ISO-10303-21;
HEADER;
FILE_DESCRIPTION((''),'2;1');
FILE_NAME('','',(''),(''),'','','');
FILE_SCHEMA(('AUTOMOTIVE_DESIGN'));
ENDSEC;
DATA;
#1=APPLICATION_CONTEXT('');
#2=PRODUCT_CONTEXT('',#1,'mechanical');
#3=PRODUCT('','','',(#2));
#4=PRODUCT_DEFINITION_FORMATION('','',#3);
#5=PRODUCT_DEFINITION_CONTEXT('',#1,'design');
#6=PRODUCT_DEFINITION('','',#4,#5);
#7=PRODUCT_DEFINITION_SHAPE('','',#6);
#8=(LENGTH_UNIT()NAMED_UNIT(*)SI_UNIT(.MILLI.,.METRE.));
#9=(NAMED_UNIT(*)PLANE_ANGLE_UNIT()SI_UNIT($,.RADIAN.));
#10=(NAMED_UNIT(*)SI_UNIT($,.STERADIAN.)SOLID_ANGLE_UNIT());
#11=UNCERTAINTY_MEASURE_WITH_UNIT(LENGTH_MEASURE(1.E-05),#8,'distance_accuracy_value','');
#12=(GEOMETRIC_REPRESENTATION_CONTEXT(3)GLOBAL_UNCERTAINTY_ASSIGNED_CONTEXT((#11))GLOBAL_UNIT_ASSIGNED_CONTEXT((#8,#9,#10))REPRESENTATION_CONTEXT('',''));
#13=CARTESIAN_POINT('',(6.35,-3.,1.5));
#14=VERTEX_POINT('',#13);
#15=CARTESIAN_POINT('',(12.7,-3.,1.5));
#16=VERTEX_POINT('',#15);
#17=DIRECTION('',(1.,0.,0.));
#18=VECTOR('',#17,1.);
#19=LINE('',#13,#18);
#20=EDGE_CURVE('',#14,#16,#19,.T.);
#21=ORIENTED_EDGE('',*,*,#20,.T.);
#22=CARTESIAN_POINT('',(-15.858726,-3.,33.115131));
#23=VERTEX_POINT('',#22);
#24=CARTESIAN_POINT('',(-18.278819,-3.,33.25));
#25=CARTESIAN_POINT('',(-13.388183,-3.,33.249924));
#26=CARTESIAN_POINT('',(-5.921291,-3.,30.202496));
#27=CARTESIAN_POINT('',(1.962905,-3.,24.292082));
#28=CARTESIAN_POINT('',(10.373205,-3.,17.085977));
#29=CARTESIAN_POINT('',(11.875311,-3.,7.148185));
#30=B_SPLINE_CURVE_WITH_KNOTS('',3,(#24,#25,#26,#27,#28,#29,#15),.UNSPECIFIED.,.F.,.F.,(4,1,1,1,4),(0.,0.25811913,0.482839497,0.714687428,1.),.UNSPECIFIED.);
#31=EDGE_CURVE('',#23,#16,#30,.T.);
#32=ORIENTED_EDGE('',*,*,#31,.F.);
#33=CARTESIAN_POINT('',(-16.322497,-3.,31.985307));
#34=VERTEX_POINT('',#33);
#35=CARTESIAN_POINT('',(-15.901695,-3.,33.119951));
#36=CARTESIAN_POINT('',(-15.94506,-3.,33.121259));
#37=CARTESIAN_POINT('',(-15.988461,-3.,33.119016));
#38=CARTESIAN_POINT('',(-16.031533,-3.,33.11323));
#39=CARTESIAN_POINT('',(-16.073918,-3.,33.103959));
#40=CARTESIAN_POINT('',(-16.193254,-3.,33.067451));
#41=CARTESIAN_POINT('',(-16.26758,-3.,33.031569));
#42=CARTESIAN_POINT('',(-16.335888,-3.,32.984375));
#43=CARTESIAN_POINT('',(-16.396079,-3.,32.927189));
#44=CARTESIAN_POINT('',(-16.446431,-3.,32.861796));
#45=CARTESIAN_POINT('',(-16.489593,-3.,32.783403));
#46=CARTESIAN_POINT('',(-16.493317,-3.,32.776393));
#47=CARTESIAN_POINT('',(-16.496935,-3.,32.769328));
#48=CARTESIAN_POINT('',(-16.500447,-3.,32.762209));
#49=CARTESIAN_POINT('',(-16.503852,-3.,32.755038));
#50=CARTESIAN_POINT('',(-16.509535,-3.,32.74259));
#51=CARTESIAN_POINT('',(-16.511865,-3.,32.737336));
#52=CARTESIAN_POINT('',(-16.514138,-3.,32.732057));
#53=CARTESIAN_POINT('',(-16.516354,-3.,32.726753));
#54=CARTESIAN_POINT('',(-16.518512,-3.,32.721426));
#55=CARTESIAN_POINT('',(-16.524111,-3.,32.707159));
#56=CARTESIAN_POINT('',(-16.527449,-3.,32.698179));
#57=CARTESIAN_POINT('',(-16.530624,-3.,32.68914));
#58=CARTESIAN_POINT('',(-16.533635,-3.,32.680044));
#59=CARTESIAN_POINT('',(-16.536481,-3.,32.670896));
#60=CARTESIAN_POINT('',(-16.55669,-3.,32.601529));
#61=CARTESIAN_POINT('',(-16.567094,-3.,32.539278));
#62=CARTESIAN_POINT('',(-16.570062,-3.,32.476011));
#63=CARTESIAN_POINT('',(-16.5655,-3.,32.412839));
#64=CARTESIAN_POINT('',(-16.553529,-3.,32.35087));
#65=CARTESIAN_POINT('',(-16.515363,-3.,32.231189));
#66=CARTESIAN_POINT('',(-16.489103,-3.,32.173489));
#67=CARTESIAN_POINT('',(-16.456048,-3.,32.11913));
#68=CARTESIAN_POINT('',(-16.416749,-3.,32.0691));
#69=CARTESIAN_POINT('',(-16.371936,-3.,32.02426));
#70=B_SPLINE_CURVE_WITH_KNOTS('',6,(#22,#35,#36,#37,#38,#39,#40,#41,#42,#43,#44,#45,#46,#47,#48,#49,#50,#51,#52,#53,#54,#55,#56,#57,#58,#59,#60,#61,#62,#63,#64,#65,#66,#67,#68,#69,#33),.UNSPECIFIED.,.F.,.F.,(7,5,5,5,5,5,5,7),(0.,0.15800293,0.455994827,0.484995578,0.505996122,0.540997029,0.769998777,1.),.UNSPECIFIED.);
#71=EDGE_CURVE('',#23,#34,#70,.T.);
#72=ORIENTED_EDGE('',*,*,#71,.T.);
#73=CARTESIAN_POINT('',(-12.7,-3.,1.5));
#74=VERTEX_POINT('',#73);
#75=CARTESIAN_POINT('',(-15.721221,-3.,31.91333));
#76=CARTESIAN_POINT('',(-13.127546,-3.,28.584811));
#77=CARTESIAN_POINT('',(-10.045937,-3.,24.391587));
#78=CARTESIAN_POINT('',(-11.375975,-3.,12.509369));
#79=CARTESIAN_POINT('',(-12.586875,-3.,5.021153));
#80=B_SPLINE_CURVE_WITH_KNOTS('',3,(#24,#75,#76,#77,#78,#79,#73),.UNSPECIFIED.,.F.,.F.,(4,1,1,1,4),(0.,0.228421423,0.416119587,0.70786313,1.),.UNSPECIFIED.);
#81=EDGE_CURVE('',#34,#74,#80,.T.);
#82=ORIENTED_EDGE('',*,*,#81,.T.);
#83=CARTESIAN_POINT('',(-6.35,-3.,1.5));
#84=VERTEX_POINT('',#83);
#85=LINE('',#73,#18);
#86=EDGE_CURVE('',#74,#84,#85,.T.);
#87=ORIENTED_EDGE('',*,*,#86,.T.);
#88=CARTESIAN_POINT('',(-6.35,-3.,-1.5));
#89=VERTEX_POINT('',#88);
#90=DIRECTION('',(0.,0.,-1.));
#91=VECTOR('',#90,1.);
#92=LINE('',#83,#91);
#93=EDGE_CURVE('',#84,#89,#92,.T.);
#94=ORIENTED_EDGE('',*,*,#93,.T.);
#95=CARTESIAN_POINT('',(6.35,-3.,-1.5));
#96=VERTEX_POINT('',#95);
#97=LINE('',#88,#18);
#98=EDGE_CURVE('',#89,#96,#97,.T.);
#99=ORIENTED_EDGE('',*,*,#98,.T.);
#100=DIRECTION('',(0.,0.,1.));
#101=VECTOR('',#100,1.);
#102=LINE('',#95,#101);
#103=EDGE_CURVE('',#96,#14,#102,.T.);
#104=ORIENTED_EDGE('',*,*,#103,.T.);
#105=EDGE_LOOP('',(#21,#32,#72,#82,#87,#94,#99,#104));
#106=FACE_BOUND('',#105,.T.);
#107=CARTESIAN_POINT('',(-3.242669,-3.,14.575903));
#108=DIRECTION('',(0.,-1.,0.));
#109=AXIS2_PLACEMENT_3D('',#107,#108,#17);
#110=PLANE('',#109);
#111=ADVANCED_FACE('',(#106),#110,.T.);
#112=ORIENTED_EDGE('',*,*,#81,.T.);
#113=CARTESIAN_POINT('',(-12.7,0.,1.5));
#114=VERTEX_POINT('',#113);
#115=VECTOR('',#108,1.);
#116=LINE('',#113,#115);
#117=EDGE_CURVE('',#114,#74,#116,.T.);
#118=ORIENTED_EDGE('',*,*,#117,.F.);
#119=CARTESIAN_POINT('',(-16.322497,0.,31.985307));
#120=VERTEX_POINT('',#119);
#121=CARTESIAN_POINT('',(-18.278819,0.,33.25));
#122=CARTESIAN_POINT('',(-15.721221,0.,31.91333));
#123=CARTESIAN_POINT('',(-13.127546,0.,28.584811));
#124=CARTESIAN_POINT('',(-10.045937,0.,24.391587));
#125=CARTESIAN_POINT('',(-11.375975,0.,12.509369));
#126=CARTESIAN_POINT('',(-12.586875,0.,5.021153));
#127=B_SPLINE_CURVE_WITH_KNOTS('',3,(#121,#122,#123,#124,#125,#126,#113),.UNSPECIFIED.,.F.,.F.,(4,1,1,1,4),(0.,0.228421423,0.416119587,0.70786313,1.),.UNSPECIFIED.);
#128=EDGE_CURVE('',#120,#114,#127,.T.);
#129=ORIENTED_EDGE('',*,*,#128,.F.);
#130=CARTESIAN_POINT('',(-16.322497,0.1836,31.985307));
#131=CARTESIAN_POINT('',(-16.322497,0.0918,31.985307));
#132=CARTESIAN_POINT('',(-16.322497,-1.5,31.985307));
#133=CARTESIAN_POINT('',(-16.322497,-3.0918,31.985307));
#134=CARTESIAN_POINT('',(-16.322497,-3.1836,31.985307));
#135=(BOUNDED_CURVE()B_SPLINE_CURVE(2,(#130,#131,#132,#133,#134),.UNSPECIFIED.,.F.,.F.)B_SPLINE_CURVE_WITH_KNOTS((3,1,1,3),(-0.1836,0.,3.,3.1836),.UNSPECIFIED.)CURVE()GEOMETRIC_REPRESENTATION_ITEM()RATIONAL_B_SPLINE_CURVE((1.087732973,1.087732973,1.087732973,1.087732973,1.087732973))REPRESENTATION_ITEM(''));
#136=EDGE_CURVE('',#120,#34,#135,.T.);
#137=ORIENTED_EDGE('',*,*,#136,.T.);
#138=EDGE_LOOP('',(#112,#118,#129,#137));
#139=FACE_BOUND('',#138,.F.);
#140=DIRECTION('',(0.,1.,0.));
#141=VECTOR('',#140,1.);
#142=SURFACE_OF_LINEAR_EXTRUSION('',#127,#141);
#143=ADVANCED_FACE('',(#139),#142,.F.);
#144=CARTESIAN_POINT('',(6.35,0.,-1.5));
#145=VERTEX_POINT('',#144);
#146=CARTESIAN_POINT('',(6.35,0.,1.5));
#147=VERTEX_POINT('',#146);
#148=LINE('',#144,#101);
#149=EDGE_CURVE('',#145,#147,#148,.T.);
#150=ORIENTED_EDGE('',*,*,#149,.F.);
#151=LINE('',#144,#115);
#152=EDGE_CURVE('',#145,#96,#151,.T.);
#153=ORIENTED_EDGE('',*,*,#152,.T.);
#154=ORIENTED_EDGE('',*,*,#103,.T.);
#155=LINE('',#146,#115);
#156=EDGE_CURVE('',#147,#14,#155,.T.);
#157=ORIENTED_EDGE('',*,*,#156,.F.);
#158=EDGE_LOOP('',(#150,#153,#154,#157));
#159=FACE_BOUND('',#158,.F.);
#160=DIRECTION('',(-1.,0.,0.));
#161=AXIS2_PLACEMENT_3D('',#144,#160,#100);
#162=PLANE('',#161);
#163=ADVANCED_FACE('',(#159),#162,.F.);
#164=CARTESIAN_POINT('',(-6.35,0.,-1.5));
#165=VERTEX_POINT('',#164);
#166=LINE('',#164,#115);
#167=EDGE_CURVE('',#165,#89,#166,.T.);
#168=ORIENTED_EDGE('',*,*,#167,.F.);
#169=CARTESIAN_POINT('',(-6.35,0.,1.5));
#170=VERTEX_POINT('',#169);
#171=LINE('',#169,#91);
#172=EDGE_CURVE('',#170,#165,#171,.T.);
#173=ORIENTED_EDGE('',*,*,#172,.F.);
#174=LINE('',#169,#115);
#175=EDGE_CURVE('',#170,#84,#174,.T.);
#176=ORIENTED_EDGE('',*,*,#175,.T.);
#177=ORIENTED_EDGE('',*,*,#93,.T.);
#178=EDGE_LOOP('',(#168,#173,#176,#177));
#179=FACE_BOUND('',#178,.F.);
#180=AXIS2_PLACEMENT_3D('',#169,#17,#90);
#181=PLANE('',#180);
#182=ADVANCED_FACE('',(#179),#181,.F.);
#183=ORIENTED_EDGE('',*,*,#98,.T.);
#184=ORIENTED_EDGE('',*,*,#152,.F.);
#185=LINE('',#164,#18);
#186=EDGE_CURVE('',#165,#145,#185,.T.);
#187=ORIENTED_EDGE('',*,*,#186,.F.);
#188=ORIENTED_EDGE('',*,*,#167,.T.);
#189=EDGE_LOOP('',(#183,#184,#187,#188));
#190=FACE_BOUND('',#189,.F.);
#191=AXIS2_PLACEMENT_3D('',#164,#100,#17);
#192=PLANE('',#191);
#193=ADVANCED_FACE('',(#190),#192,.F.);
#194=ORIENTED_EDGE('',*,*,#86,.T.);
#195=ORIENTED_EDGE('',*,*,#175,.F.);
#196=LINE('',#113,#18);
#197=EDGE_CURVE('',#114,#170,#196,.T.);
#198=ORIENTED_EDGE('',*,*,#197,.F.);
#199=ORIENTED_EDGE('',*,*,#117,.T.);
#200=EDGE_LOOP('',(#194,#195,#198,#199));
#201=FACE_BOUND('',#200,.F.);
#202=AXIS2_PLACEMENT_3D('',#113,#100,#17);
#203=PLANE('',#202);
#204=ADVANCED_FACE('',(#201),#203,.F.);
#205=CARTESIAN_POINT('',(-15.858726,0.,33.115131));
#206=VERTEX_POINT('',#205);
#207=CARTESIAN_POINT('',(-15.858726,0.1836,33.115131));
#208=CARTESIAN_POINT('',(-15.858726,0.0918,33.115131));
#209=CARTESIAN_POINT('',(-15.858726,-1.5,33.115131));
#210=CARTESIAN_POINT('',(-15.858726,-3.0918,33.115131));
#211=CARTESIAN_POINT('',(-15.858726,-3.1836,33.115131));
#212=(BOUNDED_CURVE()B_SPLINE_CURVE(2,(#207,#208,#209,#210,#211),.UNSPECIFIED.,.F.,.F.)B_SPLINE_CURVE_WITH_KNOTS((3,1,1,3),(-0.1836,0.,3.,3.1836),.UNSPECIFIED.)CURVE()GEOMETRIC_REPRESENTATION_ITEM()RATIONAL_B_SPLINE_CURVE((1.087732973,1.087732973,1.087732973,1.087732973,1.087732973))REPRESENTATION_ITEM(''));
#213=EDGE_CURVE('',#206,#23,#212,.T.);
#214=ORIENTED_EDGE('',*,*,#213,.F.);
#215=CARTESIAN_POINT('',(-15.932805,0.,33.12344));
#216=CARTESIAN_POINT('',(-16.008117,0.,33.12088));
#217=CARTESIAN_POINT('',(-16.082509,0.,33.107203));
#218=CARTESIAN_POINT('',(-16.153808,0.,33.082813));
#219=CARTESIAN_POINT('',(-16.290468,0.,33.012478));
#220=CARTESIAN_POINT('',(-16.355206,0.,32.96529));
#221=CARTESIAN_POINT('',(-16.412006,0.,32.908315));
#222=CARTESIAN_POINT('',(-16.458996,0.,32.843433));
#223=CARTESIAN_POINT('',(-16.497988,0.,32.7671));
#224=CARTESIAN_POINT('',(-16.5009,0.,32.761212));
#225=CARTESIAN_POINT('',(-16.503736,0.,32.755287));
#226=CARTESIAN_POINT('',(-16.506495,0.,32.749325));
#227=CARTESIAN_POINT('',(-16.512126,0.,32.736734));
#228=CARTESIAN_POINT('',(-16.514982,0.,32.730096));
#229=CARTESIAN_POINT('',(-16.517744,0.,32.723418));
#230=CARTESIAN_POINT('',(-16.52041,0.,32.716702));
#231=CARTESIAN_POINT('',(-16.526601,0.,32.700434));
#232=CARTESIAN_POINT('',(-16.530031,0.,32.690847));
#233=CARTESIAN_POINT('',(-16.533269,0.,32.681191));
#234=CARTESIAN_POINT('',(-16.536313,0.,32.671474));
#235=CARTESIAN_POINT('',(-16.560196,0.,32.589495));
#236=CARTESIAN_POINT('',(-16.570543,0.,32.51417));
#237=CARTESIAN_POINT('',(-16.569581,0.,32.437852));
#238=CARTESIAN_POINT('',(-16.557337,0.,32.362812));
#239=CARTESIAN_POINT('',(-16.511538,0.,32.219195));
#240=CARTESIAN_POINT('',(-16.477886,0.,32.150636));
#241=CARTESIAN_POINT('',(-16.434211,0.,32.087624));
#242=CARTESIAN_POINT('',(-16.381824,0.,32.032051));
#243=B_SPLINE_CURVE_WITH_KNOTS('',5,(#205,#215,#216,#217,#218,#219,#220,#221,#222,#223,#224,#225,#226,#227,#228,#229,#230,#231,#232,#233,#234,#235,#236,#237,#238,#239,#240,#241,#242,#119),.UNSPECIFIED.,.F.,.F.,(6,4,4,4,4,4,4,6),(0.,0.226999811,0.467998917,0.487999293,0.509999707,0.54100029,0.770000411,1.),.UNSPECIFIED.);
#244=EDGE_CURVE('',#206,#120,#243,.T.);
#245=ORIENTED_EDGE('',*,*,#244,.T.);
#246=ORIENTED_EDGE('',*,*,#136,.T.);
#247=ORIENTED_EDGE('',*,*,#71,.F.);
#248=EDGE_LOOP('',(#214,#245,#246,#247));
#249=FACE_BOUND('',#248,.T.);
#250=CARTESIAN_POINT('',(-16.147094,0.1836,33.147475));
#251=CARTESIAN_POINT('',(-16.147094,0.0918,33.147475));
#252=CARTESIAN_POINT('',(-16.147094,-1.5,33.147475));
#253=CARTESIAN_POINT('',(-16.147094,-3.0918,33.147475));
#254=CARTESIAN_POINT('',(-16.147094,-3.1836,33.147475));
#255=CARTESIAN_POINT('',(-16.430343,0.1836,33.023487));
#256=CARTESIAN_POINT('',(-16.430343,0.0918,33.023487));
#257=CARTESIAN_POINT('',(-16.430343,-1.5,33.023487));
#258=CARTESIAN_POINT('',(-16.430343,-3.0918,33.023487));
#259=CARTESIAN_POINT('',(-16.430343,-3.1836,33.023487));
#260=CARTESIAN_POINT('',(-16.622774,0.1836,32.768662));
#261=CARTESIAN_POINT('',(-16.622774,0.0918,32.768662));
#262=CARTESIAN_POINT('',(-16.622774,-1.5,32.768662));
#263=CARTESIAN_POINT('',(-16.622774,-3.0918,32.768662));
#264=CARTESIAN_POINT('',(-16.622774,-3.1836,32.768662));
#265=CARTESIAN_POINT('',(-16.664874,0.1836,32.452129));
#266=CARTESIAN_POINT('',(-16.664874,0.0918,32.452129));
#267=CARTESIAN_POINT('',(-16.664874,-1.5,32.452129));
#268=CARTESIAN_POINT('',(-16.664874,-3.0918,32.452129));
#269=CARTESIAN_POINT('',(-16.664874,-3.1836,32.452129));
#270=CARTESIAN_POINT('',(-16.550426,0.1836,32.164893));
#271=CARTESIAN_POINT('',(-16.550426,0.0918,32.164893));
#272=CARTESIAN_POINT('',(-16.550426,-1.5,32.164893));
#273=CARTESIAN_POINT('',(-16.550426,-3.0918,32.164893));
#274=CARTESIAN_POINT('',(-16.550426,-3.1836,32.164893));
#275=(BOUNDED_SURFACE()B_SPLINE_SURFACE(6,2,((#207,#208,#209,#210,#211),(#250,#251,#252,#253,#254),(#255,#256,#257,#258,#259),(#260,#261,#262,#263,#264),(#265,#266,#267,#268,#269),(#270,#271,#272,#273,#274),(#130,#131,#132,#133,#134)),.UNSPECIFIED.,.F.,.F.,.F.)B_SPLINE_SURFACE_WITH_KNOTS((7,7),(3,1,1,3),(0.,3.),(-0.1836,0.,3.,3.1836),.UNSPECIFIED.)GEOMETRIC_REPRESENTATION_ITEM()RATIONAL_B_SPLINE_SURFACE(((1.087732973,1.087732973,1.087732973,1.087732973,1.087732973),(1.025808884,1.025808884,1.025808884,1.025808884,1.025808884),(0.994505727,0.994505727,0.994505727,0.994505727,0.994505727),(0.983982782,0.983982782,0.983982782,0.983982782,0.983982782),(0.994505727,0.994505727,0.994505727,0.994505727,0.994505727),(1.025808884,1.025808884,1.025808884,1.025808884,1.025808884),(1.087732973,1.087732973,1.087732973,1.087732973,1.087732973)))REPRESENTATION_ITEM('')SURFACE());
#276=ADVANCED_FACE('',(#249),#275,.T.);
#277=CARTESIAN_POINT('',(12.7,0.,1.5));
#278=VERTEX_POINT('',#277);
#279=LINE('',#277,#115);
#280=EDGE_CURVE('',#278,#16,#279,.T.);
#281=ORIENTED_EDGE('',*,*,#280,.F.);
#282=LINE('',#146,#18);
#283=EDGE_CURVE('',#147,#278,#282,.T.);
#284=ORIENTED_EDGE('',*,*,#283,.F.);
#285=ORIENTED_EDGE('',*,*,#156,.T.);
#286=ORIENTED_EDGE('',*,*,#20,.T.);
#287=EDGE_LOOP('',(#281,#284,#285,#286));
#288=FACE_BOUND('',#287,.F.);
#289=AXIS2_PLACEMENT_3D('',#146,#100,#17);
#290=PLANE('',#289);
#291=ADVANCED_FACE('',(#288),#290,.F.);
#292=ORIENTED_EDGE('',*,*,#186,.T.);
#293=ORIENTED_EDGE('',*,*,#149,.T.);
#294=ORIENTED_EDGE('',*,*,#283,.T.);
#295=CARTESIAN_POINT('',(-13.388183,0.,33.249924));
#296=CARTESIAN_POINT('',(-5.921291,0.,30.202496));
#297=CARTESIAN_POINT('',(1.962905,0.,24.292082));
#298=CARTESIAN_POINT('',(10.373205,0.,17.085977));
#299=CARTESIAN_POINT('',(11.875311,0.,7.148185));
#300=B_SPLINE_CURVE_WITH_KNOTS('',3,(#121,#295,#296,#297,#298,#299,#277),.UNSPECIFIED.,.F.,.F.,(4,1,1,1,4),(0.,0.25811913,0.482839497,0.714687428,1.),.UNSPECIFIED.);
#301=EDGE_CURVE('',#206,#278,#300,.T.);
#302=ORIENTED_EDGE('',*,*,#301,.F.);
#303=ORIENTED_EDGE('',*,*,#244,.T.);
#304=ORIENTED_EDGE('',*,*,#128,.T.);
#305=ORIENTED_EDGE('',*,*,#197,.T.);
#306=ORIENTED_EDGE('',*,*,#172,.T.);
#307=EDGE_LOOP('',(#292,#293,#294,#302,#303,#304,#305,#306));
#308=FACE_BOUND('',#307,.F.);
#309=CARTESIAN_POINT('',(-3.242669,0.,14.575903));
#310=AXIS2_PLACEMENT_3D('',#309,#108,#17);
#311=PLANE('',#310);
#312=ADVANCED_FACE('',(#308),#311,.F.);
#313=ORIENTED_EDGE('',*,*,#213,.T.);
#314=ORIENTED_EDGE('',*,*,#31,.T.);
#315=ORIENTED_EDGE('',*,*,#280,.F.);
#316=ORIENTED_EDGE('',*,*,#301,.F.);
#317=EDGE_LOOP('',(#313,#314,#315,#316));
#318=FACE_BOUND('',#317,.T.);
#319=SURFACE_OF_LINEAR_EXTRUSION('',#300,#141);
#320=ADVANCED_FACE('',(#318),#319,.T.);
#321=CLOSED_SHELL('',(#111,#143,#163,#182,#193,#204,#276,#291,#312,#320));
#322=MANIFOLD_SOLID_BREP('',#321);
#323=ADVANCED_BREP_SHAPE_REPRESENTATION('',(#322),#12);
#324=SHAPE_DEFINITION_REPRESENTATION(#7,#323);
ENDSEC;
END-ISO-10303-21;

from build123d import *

# Parameters (mm, degrees)
F1_DEPTH = 3
F2_R     = 0.635


with BuildPart() as f1:
    # F0 (on Front) → F1 (new body)
    with BuildSketch(Plane.XZ):
        with BuildLine():
            Line((-6.35, 1.5), (-6.35, -1.5))
            Line((-6.35, -1.5), (6.35, -1.5))
            Line((6.35, -1.5), (6.35, 1.5))
            Line((6.35, 1.5), (12.7, 1.5))
            add(Edge.make_bspline(
                [(-18.2788185775, 33.25), (-13.3881829887, 33.249924231), (-5.9212908921, 30.2024959046), (1.9629046813, 24.292081617), (10.3732054955, 17.0859768265), (11.8753107125, 7.1481850282), (12.7, 1.5)],
                knots=[0, 0, 0, 0, 0.2581191303, 0.4828394971, 0.7146874282, 1, 1, 1, 1], degree=3))
            add(Edge.make_bspline(
                [(-18.2788185775, 33.25), (-15.7212212497, 31.9133304564), (-13.1275464315, 28.584811238), (-10.04593733, 24.3915865531), (-11.3759748072, 12.5093687933), (-12.586874571, 5.0211525088), (-12.7, 1.5)],
                knots=[0, 0, 0, 0, 0.2284214234, 0.4161195871, 0.7078631304, 1, 1, 1, 1], degree=3))
            Line((-12.7, 1.5), (-6.35, 1.5))
        make_face()
    extrude(amount=F1_DEPTH)

    # F2
    f2_edges = [f1.edges().sort_by_distance(p)[0] for p in [
        (-18.278819, -1.5, 33.25),
    ]]
    fillet(f2_edges, radius=F2_R)


solid = f1.part
